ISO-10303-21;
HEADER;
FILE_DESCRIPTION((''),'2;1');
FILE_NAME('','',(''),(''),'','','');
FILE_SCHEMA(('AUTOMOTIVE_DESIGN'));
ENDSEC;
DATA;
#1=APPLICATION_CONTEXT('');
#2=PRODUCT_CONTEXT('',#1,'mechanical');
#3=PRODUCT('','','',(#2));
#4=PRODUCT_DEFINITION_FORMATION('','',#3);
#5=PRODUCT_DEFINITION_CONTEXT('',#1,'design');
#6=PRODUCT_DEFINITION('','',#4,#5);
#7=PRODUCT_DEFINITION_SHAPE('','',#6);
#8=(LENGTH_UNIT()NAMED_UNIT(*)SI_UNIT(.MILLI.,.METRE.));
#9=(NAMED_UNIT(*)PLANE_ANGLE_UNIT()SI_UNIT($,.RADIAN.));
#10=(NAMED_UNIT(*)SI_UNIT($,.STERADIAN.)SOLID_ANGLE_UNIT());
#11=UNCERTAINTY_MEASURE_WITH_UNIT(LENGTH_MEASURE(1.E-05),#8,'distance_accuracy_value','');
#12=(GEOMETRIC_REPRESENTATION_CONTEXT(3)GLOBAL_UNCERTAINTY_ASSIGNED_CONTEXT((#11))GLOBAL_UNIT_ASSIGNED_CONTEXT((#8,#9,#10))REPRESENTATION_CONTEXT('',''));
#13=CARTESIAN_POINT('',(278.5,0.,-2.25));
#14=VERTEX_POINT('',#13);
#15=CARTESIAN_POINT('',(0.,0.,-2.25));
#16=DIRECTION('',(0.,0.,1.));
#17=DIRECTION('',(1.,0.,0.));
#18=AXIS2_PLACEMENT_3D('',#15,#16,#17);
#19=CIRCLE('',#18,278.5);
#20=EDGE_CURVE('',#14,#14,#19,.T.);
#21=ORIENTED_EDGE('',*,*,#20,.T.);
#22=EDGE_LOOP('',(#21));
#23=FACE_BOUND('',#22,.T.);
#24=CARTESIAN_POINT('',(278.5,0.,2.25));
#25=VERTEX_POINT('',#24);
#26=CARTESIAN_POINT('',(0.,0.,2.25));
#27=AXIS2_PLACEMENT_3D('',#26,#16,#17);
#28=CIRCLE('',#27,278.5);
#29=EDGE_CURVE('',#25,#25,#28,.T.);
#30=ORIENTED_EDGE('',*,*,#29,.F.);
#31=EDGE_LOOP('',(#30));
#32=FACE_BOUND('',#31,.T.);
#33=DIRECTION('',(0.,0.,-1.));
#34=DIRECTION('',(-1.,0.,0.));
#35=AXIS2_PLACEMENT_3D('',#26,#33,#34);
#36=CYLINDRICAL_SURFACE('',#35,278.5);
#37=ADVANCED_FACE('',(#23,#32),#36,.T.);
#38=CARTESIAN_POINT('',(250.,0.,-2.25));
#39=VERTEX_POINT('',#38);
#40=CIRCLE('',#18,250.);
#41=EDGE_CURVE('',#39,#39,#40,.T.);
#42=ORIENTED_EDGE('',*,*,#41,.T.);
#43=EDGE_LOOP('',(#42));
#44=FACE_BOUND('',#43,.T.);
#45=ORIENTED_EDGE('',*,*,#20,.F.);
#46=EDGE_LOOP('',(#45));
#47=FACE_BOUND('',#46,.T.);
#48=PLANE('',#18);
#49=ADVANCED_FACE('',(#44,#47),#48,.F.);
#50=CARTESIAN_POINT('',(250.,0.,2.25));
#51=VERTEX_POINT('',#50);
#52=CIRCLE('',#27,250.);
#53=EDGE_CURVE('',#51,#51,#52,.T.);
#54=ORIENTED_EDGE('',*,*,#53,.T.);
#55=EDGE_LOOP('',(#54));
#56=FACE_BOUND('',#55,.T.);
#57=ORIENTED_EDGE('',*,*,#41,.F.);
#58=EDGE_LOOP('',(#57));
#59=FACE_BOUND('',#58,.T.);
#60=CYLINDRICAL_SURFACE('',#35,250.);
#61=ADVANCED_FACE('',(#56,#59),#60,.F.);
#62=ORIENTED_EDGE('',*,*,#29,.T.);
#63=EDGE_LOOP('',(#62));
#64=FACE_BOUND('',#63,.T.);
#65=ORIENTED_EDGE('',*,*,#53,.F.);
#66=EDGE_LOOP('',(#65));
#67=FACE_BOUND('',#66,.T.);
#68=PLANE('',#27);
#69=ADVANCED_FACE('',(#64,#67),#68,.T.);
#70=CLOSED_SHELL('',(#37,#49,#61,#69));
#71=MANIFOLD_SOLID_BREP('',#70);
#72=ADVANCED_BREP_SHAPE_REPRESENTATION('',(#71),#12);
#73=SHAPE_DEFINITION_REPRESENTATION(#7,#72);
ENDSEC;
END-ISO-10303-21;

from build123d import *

# Parameters (mm, degrees)
SKETCH1_R           = 278.5
SKETCH1_R_2         = 250
BOSS_EXTRUDE1_DEPTH = 2.25


with BuildPart() as part:
    # Sketch1 → Boss-Extrude1 (new body, symmetric)
    with BuildSketch(Plane.XY):
        Circle(SKETCH1_R)
        Circle(SKETCH1_R_2, mode=Mode.SUBTRACT)
    extrude(amount=BOSS_EXTRUDE1_DEPTH, both=True)


solid = part.part
